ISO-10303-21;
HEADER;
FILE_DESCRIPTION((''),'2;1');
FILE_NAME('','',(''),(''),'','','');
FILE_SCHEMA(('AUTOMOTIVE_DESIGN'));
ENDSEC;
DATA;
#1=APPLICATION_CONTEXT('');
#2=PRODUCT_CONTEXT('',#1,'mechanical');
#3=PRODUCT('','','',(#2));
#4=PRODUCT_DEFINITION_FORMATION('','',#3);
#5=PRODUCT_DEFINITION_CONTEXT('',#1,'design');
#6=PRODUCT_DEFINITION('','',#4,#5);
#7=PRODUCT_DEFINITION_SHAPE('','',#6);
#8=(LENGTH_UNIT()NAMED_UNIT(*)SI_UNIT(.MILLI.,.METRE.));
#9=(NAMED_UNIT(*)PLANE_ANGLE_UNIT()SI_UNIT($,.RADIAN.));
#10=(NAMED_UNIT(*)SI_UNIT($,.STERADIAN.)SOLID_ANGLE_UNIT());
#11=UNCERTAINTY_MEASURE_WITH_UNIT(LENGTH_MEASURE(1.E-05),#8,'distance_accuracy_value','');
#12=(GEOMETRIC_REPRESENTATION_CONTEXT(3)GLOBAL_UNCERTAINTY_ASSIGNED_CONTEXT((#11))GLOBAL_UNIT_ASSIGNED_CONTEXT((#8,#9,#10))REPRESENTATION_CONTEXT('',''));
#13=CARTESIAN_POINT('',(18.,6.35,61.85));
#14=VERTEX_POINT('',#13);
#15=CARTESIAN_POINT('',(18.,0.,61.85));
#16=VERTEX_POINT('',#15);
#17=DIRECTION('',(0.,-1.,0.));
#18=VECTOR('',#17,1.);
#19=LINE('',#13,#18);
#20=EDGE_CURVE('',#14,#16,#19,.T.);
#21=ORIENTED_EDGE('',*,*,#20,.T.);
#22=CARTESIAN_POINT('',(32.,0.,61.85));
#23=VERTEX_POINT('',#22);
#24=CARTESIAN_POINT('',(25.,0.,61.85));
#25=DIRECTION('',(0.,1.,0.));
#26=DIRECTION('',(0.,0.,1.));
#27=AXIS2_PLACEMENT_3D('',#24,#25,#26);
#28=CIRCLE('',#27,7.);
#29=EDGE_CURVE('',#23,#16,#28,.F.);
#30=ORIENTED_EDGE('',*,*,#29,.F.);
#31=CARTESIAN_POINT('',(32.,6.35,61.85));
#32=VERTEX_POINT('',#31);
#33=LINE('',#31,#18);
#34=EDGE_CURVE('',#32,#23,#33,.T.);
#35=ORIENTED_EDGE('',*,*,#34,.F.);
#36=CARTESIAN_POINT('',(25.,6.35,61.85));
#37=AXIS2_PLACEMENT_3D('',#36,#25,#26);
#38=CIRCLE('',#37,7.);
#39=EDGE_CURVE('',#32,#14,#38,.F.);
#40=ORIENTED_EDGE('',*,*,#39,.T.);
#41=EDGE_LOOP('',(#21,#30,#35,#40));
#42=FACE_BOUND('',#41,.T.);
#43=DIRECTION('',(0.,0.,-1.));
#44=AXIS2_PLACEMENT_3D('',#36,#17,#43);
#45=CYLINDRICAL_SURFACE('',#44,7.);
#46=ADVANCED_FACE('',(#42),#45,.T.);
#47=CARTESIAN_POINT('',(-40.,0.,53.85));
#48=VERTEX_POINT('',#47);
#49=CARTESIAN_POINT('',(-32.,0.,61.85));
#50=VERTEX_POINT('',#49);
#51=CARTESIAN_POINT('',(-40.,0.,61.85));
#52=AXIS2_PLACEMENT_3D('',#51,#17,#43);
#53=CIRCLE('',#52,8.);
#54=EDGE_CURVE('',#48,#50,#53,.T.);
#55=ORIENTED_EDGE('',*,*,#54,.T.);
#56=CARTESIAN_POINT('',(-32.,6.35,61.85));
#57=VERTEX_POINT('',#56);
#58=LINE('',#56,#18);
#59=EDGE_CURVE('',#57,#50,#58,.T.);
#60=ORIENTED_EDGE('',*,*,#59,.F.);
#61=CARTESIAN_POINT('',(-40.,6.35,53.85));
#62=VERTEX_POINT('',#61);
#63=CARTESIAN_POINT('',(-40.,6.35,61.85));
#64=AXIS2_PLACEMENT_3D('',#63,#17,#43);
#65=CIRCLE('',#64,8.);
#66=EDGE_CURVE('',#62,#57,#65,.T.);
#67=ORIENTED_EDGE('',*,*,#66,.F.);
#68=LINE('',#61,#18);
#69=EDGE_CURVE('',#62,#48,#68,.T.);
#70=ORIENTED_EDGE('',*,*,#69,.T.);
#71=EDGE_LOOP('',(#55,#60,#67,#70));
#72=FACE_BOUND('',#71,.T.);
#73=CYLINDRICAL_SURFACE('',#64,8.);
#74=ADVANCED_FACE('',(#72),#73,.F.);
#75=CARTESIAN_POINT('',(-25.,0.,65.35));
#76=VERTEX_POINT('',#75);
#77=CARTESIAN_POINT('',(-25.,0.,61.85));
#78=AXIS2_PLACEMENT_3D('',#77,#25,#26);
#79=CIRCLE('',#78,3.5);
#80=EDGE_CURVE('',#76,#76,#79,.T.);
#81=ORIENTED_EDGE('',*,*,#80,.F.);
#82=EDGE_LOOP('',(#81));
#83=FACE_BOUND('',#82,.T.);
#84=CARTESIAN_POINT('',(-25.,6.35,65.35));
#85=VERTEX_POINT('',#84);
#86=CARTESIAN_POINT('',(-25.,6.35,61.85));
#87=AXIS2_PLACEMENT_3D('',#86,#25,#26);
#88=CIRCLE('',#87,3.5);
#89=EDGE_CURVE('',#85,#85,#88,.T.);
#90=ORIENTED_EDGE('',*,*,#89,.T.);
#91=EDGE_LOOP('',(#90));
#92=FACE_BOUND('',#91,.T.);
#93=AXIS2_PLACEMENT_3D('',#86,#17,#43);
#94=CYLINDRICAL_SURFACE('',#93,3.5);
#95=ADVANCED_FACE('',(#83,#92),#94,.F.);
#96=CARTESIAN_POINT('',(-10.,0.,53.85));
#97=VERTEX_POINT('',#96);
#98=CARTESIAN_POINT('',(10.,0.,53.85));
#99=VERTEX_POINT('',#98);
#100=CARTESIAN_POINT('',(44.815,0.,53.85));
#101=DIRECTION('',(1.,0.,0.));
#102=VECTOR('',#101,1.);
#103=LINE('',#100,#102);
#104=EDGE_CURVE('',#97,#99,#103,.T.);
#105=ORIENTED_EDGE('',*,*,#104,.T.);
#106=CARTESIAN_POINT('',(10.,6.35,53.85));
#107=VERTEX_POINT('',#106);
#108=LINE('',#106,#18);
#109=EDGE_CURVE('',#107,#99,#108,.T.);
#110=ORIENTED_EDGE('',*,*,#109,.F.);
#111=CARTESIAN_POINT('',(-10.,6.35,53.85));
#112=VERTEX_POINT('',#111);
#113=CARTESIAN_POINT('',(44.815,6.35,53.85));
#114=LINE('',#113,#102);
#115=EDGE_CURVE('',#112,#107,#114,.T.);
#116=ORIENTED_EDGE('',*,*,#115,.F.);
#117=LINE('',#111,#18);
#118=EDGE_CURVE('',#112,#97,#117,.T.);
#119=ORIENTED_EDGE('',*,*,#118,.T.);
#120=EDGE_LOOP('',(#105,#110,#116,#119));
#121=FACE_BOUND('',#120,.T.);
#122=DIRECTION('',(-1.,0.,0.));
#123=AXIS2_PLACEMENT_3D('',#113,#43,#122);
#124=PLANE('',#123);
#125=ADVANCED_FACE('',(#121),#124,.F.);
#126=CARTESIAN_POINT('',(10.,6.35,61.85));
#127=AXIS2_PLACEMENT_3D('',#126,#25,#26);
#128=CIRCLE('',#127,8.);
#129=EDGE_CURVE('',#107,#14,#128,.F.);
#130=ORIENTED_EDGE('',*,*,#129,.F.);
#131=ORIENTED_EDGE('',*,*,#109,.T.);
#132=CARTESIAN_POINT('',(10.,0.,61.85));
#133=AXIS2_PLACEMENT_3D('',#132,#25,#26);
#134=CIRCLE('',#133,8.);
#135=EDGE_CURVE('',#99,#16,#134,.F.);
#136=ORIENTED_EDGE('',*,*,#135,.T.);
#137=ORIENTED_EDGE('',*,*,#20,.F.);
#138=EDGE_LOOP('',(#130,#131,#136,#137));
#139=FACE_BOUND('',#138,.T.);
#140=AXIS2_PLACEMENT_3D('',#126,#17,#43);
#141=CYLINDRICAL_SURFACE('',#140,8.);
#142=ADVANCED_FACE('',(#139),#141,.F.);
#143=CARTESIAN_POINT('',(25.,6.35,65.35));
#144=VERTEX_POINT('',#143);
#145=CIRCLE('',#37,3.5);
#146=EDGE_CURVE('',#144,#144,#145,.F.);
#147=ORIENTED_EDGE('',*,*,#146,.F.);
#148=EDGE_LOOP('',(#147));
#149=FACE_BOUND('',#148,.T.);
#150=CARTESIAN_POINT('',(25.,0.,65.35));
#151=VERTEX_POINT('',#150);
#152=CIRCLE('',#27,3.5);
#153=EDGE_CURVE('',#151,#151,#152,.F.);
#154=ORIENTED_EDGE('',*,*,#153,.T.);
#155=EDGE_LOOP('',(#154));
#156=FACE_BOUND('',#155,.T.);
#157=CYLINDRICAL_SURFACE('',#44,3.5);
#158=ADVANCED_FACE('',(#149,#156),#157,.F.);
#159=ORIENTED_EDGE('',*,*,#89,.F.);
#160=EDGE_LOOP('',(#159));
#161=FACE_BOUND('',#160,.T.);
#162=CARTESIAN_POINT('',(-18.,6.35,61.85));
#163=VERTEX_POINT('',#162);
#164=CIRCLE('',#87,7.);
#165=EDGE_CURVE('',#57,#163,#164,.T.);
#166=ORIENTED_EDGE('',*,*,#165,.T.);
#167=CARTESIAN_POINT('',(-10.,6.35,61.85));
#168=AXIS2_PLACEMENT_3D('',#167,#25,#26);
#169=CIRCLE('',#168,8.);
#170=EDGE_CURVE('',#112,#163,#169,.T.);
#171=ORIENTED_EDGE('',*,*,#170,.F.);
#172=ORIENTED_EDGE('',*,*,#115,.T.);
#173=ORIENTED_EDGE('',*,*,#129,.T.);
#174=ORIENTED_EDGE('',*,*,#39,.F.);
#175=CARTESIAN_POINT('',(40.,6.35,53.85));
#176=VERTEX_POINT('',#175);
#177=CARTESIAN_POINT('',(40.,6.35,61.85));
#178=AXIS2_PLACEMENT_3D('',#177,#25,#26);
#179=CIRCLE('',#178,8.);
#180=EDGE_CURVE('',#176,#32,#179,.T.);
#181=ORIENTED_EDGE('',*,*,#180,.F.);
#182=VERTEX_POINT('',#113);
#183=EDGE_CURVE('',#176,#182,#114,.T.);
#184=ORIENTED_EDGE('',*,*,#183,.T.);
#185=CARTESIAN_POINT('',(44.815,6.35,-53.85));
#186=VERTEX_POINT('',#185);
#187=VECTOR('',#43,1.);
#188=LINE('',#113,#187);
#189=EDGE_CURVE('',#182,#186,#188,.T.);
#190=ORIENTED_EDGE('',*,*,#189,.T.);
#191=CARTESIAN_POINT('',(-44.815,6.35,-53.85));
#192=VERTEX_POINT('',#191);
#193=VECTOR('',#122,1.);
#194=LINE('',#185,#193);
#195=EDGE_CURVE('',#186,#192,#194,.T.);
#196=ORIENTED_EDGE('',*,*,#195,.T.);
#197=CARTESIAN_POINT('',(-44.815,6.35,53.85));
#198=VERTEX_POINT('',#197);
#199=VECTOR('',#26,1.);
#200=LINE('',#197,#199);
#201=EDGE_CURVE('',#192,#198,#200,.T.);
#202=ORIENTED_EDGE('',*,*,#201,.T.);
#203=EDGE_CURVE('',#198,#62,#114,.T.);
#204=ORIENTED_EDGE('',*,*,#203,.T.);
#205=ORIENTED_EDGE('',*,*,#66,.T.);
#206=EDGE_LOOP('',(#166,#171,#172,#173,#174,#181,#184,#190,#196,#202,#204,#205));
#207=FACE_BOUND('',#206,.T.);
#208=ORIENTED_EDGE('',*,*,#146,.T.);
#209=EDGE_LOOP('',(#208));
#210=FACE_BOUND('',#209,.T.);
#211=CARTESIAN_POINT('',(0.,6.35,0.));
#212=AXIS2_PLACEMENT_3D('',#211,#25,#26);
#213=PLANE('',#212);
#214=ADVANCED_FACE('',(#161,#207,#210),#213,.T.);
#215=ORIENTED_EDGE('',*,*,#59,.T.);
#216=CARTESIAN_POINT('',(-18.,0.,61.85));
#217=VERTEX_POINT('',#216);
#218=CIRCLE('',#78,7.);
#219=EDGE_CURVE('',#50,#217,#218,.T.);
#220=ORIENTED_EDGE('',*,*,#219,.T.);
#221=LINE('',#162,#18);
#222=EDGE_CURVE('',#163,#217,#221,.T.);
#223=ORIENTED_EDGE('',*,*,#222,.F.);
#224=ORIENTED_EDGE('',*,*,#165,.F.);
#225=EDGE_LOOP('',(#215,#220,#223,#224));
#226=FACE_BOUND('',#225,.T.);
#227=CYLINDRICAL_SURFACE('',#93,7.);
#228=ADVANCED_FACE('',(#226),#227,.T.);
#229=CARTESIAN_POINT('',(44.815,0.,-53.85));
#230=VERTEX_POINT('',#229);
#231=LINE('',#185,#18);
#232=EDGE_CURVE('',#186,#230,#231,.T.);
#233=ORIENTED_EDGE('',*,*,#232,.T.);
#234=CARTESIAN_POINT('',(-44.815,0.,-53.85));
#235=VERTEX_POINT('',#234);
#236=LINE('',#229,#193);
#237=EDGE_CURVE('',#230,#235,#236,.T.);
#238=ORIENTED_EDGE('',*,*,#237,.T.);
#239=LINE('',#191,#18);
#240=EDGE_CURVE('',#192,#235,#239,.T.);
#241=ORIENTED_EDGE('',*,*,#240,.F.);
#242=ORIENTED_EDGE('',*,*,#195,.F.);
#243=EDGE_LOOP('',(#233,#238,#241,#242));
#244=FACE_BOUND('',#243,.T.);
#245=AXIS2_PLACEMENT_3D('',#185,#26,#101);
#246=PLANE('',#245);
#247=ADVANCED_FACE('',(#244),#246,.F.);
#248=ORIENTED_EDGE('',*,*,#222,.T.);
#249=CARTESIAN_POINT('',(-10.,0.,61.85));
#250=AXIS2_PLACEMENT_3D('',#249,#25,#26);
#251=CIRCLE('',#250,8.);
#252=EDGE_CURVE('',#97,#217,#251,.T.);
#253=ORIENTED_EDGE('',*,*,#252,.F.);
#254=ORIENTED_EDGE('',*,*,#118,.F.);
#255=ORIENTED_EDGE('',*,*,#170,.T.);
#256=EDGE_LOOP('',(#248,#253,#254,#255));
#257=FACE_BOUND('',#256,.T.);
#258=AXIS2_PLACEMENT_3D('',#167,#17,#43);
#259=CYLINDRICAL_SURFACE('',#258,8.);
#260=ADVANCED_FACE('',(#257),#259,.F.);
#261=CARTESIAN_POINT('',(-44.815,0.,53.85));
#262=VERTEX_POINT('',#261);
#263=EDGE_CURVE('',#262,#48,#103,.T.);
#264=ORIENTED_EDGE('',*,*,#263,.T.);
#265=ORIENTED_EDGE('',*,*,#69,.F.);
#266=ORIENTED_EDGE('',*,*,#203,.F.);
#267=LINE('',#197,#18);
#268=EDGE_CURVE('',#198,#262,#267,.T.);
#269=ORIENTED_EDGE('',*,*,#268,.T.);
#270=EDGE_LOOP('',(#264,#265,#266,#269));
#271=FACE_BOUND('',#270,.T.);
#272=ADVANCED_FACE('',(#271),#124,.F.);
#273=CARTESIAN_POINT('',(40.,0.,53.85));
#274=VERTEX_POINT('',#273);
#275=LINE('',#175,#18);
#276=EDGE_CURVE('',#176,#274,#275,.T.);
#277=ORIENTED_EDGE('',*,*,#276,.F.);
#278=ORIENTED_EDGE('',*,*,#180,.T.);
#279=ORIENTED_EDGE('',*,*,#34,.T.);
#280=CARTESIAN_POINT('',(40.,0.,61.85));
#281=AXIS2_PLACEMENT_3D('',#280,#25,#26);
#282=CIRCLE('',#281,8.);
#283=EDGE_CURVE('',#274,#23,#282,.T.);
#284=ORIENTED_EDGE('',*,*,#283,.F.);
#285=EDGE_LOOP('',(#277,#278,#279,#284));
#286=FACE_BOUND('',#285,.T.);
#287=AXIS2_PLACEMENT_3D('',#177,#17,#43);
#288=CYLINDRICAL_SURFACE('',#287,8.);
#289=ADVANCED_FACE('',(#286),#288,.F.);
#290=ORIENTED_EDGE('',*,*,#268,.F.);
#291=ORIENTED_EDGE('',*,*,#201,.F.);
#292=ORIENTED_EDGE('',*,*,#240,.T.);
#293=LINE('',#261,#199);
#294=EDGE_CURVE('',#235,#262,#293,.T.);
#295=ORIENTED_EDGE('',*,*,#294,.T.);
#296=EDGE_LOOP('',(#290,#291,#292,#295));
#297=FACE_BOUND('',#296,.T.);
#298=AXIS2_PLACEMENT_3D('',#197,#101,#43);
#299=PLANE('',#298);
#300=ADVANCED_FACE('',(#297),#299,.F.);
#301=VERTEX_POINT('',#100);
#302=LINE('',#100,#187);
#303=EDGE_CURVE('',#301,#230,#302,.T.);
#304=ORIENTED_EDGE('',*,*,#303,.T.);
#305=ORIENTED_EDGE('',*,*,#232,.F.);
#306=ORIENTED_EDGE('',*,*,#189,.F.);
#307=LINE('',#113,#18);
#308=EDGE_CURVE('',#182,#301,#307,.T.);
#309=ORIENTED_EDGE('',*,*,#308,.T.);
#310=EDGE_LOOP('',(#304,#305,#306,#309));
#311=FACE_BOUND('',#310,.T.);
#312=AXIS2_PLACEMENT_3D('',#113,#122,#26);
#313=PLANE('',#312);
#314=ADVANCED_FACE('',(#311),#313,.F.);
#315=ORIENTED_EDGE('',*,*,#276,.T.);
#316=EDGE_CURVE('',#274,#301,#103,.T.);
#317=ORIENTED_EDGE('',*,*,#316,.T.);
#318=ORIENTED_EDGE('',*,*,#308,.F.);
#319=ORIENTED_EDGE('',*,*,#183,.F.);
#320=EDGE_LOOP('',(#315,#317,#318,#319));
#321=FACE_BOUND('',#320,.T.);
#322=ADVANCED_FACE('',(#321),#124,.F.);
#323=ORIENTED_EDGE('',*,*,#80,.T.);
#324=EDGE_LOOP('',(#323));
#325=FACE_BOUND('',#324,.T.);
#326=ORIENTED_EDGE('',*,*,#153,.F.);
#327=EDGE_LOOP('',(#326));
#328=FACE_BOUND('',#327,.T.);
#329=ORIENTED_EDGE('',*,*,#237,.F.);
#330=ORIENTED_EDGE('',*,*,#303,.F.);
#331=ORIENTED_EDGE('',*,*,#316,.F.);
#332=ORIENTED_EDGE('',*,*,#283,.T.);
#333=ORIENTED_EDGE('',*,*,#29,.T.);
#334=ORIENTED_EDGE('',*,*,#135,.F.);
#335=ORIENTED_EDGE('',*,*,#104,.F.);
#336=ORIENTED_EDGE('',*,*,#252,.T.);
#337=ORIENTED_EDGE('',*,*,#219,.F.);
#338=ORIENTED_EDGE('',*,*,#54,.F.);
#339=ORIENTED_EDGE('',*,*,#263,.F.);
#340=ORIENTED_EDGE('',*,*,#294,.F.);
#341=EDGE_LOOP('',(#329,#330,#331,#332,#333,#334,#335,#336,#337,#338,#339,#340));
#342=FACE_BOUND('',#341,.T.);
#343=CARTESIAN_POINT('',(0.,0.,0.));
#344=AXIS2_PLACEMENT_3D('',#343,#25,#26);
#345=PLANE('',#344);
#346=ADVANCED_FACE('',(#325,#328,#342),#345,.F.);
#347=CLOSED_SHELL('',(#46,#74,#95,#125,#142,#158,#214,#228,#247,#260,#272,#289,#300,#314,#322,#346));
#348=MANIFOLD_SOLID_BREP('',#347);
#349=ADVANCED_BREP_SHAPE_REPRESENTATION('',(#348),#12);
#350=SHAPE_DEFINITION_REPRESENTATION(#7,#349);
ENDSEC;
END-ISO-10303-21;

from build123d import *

# Parameters (mm, degrees)
SKETCH1_W           = 89.63
SKETCH1_H           = 107.7
BOSS_EXTRUDE1_DEPTH = 6.35
SKETCH2_R           = 3.5
BOSS_EXTRUDE2_DEPTH = 6.35


with BuildPart() as part:
    # Sketch1 → Boss-Extrude1 (new body)
    with BuildSketch(Plane(origin=(0, 0, 0), x_dir=(1, 0, 0), z_dir=(0, 1, 0))):
        Rectangle(SKETCH1_W, SKETCH1_H)
    extrude(amount=BOSS_EXTRUDE1_DEPTH)

    # Sketch2 → Boss-Extrude2 (add)
    # profile 1 of 2: a face of its own
    with BuildSketch(Plane(origin=(0, 0, 0), x_dir=(1, 0, 0), z_dir=(0, 1, 0))):
        with BuildLine():
            Line((-40, -53.85), (-10, -53.85))
            ThreePointArc((-10, -53.85), (-15.656854249, -56.193145751), (-18, -61.85))
            ThreePointArc((-18, -61.85), (-25, -68.85), (-32, -61.85))
            ThreePointArc((-32, -61.85), (-34.343145751, -56.193145751), (-40, -53.85))
        make_face()
        with Locations(Location((-25, -61.85, 0), (0, 0, 270))):
            Circle(SKETCH2_R, mode=Mode.SUBTRACT)
    # profile 2 of 2: a face of its own
    with BuildSketch(Plane(origin=(0, 0, 0), x_dir=(1, 0, 0), z_dir=(0, 1, 0))):
        with BuildLine():
            Line((40, -53.85), (10, -53.85))
            ThreePointArc((10, -53.85), (15.656854249, -56.193145751), (18, -61.85))
            ThreePointArc((18, -61.85), (25, -68.85), (32, -61.85))
            ThreePointArc((32, -61.85), (34.343145751, -56.193145751), (40, -53.85))
        make_face()
        with Locations(Location((25, -61.85, 0), (0, 0, 270))):
            Circle(SKETCH2_R, mode=Mode.SUBTRACT)
    extrude(amount=BOSS_EXTRUDE2_DEPTH)


solid = part.part
